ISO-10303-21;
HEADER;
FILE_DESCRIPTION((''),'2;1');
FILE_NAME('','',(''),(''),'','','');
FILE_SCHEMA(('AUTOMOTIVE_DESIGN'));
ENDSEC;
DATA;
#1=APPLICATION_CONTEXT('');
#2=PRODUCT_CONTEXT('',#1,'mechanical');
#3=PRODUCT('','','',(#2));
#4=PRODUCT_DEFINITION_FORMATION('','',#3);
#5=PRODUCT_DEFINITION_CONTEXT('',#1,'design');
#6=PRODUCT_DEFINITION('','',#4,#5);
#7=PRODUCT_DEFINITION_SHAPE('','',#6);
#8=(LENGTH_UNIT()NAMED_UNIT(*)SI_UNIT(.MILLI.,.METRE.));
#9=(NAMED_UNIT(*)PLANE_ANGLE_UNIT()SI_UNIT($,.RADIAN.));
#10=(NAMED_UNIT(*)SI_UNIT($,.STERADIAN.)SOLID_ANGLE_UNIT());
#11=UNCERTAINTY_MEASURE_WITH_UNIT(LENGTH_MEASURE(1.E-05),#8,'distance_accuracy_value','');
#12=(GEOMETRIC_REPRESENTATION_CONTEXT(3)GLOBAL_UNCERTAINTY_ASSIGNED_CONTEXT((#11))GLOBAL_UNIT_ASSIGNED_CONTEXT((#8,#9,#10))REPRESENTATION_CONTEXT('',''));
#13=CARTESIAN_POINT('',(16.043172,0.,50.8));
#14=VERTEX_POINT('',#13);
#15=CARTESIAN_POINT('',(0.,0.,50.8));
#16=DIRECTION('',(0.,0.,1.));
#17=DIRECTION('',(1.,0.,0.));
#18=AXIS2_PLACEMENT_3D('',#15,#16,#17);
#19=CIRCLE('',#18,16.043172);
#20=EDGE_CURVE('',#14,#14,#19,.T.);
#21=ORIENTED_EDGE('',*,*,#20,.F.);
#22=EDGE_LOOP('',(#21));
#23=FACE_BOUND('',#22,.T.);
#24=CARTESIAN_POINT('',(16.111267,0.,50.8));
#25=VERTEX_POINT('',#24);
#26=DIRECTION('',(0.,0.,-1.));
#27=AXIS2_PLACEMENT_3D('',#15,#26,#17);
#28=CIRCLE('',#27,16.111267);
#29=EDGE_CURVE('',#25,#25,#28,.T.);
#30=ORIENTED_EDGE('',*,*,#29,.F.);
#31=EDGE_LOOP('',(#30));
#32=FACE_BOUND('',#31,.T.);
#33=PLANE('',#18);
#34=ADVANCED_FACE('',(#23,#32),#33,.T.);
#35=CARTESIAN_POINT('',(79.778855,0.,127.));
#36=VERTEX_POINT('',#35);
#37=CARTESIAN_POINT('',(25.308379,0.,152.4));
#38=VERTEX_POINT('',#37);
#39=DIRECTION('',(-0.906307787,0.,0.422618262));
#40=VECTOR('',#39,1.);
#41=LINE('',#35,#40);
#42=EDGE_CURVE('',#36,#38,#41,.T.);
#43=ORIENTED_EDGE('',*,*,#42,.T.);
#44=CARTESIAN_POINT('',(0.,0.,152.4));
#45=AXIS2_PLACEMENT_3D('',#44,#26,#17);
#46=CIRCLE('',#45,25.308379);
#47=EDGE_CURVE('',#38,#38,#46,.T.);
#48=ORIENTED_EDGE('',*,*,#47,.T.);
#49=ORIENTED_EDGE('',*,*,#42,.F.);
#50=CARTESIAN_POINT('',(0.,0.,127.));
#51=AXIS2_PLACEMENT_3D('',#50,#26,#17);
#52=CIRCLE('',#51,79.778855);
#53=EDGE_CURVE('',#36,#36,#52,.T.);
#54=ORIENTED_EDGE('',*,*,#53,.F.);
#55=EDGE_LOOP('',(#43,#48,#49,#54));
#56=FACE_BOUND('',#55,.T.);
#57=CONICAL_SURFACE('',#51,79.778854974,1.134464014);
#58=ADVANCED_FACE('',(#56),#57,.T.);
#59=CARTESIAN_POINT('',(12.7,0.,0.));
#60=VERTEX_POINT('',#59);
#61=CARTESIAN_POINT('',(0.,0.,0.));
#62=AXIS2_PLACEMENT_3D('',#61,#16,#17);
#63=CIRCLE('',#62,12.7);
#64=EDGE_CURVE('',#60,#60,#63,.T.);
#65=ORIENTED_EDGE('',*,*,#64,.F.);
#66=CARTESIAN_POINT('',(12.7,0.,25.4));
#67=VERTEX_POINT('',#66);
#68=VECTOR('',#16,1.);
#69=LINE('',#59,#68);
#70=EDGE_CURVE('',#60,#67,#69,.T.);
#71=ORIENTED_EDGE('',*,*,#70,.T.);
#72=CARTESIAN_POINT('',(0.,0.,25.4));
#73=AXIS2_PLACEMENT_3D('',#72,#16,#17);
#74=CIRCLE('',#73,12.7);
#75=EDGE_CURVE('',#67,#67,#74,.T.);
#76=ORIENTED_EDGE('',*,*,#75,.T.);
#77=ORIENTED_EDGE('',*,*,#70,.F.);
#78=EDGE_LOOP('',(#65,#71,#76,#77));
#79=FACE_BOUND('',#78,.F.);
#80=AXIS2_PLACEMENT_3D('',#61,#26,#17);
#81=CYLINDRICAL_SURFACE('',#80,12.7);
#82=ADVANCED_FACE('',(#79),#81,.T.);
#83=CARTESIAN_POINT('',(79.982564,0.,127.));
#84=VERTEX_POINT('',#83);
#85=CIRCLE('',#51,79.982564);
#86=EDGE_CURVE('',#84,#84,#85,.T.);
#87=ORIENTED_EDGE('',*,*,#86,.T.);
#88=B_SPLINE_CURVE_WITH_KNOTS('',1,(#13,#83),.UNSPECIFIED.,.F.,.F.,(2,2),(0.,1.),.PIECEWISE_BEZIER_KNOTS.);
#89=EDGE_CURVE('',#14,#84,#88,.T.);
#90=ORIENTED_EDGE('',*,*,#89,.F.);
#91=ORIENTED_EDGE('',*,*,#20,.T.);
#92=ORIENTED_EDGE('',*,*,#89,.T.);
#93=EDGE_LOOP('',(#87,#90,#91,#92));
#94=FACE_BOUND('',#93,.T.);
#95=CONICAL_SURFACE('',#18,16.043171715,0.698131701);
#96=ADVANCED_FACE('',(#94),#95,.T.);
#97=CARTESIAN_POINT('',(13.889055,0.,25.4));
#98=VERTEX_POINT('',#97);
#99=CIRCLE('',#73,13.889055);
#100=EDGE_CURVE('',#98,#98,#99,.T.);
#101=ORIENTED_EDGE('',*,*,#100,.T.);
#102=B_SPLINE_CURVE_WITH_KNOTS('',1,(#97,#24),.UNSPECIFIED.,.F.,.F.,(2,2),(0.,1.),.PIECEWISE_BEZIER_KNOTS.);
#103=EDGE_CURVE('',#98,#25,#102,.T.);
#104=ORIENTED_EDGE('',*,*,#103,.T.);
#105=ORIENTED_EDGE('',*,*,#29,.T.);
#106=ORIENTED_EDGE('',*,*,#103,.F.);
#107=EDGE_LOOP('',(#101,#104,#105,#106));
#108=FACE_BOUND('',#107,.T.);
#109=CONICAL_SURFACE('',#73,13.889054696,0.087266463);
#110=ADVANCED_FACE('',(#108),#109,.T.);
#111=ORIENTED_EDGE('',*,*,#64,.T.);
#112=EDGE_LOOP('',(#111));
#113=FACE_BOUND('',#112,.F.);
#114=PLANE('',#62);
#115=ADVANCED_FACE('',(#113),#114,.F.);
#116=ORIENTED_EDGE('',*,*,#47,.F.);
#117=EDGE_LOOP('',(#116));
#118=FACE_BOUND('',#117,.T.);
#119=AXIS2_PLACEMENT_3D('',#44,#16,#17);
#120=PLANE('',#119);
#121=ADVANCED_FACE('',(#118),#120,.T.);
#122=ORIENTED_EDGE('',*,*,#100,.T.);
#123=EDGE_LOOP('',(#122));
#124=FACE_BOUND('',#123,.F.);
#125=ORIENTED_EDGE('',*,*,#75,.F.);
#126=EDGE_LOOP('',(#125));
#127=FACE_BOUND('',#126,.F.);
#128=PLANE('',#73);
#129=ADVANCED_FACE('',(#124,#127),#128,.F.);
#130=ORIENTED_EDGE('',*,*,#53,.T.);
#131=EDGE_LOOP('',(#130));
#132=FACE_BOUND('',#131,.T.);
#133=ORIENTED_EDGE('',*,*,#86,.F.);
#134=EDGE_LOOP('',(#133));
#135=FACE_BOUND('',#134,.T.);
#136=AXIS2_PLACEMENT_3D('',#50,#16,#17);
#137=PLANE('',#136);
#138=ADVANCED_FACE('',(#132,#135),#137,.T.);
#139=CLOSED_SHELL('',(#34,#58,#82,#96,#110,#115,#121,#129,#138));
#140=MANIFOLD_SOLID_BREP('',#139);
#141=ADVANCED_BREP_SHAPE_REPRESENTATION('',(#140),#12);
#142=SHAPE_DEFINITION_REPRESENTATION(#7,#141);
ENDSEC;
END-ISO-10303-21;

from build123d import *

# Parameters (mm, degrees)
F0_R     = 12.7
F1_DEPTH = 25.4
F2_R     = 13.889054696
F3_DEPTH = 25.4
F3_TAPER = -5
F4_R     = 16.0431717149
F5_DEPTH = 76.2
F5_TAPER = -40
F6_R     = 79.7788549735
F7_DEPTH = 25.4
F7_TAPER = 65


with BuildPart() as f1:
    # F0 (on Top) → F1 (new body)
    with BuildSketch(Plane.XY):
        Circle(F0_R)
    extrude(amount=F1_DEPTH)

    # F2 (on face) → F3 (join)
    with BuildSketch(Plane.XY.offset(25.4)):
        Circle(F2_R)
    extrude(amount=F3_DEPTH, taper=F3_TAPER)

    # F4 (on face) → F5 (join)
    with BuildSketch(Plane.XY.offset(50.8)):
        Circle(F4_R)
    extrude(amount=F5_DEPTH, taper=F5_TAPER)

    # F6 (on face) → F7 (join)
    with BuildSketch(Plane.XY.offset(127)):
        Circle(F6_R)
    extrude(amount=F7_DEPTH, taper=F7_TAPER)


solid = f1.part
